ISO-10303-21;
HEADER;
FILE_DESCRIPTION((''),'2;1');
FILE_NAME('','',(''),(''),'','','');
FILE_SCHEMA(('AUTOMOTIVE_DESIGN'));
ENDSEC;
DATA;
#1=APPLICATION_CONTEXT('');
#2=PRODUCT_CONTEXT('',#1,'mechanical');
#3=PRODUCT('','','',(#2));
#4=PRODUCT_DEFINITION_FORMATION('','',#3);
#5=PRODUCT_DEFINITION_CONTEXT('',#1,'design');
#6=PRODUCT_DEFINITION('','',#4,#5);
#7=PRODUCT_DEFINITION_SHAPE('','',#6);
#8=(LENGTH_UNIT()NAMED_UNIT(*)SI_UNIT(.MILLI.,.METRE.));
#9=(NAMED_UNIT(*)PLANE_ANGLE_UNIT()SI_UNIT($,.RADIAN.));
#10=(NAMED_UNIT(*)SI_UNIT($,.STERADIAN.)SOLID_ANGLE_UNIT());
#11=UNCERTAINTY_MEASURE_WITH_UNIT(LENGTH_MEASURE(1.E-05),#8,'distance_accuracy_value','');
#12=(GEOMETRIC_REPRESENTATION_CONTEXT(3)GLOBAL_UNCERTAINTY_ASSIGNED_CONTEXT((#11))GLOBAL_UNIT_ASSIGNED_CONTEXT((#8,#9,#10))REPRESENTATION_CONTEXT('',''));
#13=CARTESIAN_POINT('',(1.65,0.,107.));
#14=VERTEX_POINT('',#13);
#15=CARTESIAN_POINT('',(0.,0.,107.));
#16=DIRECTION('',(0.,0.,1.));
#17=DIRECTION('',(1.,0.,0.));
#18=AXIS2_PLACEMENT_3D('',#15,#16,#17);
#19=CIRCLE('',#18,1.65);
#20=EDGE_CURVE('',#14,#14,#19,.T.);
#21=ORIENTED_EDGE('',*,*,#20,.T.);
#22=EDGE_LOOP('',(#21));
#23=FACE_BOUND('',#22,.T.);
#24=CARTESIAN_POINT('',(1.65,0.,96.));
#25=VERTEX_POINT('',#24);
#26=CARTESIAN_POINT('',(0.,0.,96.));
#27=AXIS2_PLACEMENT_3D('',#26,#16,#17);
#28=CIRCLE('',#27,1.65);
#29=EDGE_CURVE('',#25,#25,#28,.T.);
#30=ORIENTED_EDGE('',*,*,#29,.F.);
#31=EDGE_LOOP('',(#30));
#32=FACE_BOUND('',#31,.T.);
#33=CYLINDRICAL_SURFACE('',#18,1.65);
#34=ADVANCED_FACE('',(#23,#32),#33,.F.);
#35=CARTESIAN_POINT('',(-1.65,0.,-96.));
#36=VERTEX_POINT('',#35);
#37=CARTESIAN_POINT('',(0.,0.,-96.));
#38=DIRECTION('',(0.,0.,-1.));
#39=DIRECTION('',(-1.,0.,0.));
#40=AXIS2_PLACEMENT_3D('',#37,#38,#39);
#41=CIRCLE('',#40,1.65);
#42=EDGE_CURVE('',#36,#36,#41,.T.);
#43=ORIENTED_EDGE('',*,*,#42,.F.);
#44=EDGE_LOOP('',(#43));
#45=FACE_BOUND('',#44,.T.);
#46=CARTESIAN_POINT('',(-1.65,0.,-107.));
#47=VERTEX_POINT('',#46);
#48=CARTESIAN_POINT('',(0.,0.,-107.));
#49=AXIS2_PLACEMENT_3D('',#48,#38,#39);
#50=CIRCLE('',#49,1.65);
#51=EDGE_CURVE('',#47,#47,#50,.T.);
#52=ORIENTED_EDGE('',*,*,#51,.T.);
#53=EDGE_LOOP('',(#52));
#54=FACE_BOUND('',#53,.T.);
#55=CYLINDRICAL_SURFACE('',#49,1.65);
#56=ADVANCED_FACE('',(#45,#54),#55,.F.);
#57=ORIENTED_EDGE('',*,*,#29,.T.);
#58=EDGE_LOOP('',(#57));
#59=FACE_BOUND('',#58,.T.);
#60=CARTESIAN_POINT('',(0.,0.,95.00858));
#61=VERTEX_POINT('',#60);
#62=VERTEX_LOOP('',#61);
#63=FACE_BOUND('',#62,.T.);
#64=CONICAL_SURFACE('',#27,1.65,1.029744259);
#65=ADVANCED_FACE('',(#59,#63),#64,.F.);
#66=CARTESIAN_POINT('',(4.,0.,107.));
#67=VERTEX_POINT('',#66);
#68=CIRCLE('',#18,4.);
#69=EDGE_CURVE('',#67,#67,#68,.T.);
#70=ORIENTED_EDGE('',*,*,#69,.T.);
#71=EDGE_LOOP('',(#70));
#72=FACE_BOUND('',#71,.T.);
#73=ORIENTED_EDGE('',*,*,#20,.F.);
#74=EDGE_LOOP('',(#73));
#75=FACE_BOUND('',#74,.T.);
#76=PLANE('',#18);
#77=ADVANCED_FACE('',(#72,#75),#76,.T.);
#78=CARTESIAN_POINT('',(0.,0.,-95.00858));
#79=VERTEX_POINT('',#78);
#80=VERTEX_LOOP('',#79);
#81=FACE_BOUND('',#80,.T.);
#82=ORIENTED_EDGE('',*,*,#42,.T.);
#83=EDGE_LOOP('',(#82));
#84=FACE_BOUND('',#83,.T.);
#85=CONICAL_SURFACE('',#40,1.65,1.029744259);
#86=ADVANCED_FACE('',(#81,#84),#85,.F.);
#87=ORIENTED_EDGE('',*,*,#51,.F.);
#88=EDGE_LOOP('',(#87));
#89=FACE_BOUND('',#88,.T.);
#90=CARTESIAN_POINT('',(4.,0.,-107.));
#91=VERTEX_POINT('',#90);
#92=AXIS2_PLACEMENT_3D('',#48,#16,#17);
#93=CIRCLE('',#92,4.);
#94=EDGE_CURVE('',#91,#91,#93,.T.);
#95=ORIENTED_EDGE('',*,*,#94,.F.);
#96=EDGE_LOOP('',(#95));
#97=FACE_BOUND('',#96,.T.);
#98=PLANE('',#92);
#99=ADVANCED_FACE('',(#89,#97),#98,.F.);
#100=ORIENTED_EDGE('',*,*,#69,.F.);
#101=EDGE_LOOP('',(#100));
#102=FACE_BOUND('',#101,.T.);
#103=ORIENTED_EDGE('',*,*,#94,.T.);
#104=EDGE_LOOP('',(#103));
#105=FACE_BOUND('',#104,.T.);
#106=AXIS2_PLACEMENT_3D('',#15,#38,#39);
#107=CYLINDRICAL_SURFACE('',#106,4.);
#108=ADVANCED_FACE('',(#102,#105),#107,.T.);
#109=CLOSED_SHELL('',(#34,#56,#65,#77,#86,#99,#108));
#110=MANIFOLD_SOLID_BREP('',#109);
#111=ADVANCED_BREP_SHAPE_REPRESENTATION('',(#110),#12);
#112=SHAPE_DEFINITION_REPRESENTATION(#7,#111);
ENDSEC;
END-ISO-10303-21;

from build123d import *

# Parameters (mm, degrees)
SKETCH_1_R      = 4
EXTRUDE_1_DEPTH = 107
M4X0_71_D       = 3.3
M4X0_71_DEPTH   = 11
M4X0_71_TIP     = 0.991420021
M4X0_72_D       = 3.3
M4X0_72_DEPTH   = 11
M4X0_72_TIP     = 0.991420021


with BuildPart() as part:
    # Эскиз1 → Бобышка-Вытянуть1 (new, symmetric)
    with BuildSketch(Plane.XY):
        Circle(SKETCH_1_R)
    extrude(amount=EXTRUDE_1_DEPTH, both=True)

    # Отверстие обработанное метчиком M4x0.71
    with Locations(Plane(origin=(0, 0, -107), x_dir=(-1, 0, 0), z_dir=(0, 0, -1))):
        with Locations((0, 0)):
            Hole(M4X0_71_D / 2, depth=M4X0_71_DEPTH)
            with Locations((0, 0, -(M4X0_71_DEPTH + M4X0_71_TIP / 2))):  # 118° drill point
                Cone(0, M4X0_71_D / 2, M4X0_71_TIP, mode=Mode.SUBTRACT)

    # Отверстие обработанное метчиком M4x0.72
    with Locations(Plane.XY.offset(107)):
        with Locations((0, 0)):
            Hole(M4X0_72_D / 2, depth=M4X0_72_DEPTH)
            with Locations((0, 0, -(M4X0_72_DEPTH + M4X0_72_TIP / 2))):  # 118° drill point
                Cone(0, M4X0_72_D / 2, M4X0_72_TIP, mode=Mode.SUBTRACT)


solid = part.part
